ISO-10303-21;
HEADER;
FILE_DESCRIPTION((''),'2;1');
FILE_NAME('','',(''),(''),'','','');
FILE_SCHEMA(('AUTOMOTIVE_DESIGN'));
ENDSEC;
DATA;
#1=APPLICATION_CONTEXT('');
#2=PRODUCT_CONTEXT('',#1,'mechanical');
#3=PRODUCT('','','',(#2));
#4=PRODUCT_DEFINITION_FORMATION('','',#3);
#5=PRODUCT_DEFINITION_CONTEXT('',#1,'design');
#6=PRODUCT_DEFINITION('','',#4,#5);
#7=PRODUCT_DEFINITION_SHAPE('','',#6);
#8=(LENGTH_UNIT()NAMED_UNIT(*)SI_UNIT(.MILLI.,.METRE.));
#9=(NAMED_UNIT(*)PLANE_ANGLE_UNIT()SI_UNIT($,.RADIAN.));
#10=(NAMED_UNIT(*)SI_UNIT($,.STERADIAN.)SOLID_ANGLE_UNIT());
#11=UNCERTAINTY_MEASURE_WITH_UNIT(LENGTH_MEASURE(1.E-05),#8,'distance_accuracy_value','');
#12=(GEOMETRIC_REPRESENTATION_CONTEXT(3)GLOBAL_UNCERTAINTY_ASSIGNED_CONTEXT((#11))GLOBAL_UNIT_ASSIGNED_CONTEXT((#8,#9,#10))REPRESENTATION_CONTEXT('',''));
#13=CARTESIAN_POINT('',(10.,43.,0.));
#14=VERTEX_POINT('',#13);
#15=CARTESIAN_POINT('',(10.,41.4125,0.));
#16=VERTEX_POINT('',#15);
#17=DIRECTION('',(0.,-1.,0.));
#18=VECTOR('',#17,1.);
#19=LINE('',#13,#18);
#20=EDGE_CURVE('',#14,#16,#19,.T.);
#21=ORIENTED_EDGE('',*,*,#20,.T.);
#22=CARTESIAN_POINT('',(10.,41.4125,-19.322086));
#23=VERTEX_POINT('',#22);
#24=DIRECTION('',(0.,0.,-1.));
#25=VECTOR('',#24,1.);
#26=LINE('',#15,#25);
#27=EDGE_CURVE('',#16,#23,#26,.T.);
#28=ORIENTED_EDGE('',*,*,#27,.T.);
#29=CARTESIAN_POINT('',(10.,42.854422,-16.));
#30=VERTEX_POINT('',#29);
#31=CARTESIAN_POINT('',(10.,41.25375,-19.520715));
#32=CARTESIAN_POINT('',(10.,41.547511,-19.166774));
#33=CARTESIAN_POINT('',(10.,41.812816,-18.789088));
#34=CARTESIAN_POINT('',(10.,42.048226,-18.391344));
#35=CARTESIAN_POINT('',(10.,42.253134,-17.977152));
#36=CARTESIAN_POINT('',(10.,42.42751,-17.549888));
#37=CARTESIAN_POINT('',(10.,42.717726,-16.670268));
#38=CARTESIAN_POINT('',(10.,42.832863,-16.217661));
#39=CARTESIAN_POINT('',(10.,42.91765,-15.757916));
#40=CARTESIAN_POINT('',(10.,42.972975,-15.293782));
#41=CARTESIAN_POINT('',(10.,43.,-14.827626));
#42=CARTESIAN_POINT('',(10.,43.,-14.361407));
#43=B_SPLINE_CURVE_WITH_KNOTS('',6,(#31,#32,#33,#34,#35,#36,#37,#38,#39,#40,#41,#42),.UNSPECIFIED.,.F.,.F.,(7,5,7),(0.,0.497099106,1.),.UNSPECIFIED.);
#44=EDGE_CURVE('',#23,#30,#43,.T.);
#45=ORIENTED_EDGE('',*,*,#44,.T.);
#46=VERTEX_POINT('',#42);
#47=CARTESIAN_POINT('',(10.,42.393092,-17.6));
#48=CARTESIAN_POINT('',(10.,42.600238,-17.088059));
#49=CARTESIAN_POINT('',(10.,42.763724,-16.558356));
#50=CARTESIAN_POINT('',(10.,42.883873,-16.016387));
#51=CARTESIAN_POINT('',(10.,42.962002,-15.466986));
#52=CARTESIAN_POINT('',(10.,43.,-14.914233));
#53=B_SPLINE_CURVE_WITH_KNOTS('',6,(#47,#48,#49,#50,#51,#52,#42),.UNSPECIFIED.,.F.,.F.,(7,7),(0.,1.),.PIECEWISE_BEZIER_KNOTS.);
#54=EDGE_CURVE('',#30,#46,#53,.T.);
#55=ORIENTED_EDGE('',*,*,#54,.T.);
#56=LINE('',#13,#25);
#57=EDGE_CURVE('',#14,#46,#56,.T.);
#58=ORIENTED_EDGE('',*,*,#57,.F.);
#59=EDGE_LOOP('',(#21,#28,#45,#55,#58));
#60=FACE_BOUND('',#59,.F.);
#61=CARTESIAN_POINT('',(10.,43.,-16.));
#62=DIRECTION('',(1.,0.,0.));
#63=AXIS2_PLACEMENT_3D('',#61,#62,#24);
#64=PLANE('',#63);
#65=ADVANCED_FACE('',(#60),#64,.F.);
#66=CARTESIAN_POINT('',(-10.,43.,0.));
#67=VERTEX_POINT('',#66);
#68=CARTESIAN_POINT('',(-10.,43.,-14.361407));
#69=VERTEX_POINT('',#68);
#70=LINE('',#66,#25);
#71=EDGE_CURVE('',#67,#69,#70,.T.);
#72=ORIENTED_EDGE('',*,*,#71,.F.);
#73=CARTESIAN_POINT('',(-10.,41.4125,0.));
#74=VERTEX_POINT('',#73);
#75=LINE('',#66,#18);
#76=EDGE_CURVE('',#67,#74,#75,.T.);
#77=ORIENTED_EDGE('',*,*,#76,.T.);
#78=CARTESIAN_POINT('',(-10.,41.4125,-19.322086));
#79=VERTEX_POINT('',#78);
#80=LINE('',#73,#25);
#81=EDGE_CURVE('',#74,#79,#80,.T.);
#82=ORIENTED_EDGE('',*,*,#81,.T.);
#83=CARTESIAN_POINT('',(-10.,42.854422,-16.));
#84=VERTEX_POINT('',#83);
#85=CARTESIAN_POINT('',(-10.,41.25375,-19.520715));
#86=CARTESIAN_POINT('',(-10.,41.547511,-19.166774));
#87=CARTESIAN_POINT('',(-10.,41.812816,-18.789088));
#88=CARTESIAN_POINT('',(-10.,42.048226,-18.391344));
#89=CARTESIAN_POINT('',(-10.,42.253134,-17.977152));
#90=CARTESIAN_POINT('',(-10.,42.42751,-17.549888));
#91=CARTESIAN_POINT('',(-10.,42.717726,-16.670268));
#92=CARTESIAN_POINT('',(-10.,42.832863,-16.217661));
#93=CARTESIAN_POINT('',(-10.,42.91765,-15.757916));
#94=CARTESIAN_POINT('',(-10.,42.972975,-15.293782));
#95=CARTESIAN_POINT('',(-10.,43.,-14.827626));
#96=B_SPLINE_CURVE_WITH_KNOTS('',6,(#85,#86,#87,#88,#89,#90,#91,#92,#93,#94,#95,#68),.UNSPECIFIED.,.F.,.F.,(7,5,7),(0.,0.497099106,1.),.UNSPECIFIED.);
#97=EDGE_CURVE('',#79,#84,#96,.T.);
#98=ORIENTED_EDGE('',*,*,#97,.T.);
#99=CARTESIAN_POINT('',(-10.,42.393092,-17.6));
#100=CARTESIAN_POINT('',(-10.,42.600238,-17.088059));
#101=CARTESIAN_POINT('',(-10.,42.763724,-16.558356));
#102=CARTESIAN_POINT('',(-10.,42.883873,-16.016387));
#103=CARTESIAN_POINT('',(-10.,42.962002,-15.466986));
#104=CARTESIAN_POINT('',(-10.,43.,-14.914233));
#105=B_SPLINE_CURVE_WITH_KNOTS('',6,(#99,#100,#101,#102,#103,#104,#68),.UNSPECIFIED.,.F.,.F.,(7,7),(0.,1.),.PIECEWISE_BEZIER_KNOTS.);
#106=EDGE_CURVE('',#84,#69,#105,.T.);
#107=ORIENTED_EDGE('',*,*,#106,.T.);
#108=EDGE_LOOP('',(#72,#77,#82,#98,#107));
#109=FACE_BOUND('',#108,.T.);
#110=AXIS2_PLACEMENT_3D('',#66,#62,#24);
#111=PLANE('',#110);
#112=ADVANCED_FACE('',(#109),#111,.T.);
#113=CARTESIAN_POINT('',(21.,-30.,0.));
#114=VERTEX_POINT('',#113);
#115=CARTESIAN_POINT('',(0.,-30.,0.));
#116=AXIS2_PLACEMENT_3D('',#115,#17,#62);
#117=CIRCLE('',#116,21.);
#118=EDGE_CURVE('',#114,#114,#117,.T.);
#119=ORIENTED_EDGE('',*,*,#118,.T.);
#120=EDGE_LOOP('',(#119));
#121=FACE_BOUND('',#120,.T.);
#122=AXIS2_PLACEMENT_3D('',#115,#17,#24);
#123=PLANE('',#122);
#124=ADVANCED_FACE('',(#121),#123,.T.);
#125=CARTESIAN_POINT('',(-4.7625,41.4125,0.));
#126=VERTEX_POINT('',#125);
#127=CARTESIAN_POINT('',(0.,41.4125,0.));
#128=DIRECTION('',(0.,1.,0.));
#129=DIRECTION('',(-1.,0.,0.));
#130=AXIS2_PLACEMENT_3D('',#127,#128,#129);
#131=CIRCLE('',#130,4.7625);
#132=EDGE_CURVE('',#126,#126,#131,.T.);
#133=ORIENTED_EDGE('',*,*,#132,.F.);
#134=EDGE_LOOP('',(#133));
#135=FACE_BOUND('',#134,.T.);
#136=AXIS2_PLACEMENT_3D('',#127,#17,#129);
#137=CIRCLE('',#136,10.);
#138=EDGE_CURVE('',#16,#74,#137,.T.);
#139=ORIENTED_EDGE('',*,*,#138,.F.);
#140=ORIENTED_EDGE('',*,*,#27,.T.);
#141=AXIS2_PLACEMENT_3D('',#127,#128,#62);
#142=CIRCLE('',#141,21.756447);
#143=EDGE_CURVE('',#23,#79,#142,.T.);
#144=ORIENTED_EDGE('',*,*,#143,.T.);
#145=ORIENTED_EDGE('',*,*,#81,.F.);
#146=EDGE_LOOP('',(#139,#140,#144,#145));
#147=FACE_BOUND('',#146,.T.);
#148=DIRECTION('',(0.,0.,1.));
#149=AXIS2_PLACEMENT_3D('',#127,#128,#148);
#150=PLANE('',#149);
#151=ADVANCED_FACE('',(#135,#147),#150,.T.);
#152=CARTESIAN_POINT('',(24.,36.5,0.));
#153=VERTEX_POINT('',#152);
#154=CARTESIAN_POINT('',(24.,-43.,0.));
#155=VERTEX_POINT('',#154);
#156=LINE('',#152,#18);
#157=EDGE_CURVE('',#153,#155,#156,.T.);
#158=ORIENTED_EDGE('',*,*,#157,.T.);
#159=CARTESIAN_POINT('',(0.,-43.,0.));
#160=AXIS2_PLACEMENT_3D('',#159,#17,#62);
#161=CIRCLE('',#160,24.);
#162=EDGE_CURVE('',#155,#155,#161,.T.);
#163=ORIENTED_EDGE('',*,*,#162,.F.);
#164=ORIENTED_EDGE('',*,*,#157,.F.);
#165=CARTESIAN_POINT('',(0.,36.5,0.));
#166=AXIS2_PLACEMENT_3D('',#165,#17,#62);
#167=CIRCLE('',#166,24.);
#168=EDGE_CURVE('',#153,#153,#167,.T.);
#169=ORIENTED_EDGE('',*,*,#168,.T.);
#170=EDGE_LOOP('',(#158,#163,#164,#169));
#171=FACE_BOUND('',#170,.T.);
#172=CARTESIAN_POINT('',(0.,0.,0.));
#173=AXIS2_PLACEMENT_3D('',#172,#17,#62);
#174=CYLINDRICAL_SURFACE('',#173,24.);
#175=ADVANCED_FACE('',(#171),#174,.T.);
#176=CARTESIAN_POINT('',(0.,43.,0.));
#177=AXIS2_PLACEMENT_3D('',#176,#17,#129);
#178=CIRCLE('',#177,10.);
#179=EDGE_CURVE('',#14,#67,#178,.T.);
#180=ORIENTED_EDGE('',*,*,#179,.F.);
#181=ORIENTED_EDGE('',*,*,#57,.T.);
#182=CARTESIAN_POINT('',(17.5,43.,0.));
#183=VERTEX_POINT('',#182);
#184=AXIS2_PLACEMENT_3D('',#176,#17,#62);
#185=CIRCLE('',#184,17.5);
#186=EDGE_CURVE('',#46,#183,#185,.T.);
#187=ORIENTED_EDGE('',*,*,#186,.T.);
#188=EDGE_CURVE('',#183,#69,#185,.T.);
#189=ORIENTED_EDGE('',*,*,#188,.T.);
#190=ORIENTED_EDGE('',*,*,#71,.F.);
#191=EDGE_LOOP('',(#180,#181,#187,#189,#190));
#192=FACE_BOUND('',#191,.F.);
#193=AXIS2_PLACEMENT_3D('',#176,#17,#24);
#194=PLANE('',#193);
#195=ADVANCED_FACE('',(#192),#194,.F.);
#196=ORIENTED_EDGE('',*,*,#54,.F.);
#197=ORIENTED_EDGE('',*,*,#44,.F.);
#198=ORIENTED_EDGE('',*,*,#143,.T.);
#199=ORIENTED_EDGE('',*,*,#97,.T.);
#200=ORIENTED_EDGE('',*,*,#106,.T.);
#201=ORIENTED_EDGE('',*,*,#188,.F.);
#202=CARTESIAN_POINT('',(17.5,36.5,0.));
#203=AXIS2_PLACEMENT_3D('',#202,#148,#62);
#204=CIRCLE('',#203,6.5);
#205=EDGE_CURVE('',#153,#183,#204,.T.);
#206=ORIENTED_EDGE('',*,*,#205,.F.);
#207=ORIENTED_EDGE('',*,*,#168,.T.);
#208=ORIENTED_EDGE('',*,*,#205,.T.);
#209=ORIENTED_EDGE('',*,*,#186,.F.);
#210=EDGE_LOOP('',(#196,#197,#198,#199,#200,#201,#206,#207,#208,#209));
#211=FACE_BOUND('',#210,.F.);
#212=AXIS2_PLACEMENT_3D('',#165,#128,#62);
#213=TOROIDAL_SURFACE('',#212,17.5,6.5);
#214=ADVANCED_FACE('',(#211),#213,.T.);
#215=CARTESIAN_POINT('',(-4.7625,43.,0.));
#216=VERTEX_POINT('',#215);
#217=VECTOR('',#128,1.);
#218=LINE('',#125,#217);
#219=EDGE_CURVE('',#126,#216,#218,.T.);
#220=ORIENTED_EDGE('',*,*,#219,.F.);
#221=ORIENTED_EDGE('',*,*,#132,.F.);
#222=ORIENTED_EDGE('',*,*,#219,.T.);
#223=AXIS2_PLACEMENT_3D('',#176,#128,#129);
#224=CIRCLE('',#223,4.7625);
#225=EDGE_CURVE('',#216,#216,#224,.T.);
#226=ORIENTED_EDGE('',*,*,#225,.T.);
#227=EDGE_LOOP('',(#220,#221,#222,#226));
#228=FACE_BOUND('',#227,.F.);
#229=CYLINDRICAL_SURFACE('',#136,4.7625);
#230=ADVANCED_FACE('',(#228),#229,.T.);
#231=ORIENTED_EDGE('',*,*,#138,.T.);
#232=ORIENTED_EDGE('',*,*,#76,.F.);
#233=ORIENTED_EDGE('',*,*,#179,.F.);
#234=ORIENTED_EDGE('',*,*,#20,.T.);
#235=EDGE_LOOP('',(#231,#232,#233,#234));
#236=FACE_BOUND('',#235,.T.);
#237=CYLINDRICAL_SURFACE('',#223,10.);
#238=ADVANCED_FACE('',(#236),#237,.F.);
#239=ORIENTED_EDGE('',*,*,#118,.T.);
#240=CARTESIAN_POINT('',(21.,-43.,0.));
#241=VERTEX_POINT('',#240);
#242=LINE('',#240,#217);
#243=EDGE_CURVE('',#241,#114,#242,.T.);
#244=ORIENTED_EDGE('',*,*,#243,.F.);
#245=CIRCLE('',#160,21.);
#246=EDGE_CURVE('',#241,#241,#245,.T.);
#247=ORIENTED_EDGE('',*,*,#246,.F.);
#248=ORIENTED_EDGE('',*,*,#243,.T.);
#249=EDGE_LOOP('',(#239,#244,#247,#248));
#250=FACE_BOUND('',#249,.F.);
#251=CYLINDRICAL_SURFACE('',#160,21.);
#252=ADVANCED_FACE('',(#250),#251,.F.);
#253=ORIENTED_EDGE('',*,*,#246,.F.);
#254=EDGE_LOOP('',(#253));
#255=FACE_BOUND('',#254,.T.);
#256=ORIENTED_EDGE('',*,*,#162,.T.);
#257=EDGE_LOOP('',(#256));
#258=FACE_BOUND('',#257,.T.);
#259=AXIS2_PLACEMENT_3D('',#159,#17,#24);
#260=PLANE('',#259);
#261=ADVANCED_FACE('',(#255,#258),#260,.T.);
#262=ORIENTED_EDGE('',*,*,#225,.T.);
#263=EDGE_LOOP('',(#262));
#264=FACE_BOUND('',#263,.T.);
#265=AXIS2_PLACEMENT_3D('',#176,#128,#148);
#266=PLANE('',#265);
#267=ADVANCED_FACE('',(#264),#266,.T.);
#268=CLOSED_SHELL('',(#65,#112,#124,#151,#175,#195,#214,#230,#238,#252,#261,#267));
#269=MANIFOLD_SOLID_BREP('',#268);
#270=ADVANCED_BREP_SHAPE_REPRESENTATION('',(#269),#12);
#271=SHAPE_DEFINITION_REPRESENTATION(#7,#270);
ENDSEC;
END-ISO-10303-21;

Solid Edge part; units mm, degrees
sketch "Sketch1" plane through (0, 0, 0) normal (0, -1, 0) x (1, 0, 0)
  circle A0 centre (0, 0) radius 24
  dimension "D1" = 48
extrude "Protrusion1" add sketch "Sketch1" along normal mid plane 86
fillet "Round1" radius 6.5 1 edges at (-24, 43, 0)
sketch "Sketch2" plane through (0, 43, 0) normal (0, 1, 0) x (-1, 0, 0)
  line L0 (-10, 0) -> (-10, -16)
  arc A0 (-10, 0) -> (10, 0) centre (0, 0) cw
  line L1 (10, 0) -> (10, -16)
  dimension "D1" = 10
  dimension "D2" = 16
extrude "Cutout1" cut sketch "Sketch2" against normal blind 1.5875 material side at (9.95, 43, -8)
sketch "Sketch3" plane through (0, 41.4125, -6.0688) normal (0, 1, 0) x (-1, 0, 0)
  circle A0 centre (0, 6.0688) radius 4.7625
  dimension "D1" = 9.525
extrude "Protrusion2" add sketch "Sketch3" along normal blind 1.5875
sketch "Sketch4" plane through (0, -43, 0) normal (0, -1, 0) x (1, 0, 0)
  circle A0 centre (0, 0) radius 21
  dimension "D1" = 3
extrude "Cutout2" cut sketch "Sketch4" against normal blind 13
properties part number "COIL-X1A" material "PURCHASED"
